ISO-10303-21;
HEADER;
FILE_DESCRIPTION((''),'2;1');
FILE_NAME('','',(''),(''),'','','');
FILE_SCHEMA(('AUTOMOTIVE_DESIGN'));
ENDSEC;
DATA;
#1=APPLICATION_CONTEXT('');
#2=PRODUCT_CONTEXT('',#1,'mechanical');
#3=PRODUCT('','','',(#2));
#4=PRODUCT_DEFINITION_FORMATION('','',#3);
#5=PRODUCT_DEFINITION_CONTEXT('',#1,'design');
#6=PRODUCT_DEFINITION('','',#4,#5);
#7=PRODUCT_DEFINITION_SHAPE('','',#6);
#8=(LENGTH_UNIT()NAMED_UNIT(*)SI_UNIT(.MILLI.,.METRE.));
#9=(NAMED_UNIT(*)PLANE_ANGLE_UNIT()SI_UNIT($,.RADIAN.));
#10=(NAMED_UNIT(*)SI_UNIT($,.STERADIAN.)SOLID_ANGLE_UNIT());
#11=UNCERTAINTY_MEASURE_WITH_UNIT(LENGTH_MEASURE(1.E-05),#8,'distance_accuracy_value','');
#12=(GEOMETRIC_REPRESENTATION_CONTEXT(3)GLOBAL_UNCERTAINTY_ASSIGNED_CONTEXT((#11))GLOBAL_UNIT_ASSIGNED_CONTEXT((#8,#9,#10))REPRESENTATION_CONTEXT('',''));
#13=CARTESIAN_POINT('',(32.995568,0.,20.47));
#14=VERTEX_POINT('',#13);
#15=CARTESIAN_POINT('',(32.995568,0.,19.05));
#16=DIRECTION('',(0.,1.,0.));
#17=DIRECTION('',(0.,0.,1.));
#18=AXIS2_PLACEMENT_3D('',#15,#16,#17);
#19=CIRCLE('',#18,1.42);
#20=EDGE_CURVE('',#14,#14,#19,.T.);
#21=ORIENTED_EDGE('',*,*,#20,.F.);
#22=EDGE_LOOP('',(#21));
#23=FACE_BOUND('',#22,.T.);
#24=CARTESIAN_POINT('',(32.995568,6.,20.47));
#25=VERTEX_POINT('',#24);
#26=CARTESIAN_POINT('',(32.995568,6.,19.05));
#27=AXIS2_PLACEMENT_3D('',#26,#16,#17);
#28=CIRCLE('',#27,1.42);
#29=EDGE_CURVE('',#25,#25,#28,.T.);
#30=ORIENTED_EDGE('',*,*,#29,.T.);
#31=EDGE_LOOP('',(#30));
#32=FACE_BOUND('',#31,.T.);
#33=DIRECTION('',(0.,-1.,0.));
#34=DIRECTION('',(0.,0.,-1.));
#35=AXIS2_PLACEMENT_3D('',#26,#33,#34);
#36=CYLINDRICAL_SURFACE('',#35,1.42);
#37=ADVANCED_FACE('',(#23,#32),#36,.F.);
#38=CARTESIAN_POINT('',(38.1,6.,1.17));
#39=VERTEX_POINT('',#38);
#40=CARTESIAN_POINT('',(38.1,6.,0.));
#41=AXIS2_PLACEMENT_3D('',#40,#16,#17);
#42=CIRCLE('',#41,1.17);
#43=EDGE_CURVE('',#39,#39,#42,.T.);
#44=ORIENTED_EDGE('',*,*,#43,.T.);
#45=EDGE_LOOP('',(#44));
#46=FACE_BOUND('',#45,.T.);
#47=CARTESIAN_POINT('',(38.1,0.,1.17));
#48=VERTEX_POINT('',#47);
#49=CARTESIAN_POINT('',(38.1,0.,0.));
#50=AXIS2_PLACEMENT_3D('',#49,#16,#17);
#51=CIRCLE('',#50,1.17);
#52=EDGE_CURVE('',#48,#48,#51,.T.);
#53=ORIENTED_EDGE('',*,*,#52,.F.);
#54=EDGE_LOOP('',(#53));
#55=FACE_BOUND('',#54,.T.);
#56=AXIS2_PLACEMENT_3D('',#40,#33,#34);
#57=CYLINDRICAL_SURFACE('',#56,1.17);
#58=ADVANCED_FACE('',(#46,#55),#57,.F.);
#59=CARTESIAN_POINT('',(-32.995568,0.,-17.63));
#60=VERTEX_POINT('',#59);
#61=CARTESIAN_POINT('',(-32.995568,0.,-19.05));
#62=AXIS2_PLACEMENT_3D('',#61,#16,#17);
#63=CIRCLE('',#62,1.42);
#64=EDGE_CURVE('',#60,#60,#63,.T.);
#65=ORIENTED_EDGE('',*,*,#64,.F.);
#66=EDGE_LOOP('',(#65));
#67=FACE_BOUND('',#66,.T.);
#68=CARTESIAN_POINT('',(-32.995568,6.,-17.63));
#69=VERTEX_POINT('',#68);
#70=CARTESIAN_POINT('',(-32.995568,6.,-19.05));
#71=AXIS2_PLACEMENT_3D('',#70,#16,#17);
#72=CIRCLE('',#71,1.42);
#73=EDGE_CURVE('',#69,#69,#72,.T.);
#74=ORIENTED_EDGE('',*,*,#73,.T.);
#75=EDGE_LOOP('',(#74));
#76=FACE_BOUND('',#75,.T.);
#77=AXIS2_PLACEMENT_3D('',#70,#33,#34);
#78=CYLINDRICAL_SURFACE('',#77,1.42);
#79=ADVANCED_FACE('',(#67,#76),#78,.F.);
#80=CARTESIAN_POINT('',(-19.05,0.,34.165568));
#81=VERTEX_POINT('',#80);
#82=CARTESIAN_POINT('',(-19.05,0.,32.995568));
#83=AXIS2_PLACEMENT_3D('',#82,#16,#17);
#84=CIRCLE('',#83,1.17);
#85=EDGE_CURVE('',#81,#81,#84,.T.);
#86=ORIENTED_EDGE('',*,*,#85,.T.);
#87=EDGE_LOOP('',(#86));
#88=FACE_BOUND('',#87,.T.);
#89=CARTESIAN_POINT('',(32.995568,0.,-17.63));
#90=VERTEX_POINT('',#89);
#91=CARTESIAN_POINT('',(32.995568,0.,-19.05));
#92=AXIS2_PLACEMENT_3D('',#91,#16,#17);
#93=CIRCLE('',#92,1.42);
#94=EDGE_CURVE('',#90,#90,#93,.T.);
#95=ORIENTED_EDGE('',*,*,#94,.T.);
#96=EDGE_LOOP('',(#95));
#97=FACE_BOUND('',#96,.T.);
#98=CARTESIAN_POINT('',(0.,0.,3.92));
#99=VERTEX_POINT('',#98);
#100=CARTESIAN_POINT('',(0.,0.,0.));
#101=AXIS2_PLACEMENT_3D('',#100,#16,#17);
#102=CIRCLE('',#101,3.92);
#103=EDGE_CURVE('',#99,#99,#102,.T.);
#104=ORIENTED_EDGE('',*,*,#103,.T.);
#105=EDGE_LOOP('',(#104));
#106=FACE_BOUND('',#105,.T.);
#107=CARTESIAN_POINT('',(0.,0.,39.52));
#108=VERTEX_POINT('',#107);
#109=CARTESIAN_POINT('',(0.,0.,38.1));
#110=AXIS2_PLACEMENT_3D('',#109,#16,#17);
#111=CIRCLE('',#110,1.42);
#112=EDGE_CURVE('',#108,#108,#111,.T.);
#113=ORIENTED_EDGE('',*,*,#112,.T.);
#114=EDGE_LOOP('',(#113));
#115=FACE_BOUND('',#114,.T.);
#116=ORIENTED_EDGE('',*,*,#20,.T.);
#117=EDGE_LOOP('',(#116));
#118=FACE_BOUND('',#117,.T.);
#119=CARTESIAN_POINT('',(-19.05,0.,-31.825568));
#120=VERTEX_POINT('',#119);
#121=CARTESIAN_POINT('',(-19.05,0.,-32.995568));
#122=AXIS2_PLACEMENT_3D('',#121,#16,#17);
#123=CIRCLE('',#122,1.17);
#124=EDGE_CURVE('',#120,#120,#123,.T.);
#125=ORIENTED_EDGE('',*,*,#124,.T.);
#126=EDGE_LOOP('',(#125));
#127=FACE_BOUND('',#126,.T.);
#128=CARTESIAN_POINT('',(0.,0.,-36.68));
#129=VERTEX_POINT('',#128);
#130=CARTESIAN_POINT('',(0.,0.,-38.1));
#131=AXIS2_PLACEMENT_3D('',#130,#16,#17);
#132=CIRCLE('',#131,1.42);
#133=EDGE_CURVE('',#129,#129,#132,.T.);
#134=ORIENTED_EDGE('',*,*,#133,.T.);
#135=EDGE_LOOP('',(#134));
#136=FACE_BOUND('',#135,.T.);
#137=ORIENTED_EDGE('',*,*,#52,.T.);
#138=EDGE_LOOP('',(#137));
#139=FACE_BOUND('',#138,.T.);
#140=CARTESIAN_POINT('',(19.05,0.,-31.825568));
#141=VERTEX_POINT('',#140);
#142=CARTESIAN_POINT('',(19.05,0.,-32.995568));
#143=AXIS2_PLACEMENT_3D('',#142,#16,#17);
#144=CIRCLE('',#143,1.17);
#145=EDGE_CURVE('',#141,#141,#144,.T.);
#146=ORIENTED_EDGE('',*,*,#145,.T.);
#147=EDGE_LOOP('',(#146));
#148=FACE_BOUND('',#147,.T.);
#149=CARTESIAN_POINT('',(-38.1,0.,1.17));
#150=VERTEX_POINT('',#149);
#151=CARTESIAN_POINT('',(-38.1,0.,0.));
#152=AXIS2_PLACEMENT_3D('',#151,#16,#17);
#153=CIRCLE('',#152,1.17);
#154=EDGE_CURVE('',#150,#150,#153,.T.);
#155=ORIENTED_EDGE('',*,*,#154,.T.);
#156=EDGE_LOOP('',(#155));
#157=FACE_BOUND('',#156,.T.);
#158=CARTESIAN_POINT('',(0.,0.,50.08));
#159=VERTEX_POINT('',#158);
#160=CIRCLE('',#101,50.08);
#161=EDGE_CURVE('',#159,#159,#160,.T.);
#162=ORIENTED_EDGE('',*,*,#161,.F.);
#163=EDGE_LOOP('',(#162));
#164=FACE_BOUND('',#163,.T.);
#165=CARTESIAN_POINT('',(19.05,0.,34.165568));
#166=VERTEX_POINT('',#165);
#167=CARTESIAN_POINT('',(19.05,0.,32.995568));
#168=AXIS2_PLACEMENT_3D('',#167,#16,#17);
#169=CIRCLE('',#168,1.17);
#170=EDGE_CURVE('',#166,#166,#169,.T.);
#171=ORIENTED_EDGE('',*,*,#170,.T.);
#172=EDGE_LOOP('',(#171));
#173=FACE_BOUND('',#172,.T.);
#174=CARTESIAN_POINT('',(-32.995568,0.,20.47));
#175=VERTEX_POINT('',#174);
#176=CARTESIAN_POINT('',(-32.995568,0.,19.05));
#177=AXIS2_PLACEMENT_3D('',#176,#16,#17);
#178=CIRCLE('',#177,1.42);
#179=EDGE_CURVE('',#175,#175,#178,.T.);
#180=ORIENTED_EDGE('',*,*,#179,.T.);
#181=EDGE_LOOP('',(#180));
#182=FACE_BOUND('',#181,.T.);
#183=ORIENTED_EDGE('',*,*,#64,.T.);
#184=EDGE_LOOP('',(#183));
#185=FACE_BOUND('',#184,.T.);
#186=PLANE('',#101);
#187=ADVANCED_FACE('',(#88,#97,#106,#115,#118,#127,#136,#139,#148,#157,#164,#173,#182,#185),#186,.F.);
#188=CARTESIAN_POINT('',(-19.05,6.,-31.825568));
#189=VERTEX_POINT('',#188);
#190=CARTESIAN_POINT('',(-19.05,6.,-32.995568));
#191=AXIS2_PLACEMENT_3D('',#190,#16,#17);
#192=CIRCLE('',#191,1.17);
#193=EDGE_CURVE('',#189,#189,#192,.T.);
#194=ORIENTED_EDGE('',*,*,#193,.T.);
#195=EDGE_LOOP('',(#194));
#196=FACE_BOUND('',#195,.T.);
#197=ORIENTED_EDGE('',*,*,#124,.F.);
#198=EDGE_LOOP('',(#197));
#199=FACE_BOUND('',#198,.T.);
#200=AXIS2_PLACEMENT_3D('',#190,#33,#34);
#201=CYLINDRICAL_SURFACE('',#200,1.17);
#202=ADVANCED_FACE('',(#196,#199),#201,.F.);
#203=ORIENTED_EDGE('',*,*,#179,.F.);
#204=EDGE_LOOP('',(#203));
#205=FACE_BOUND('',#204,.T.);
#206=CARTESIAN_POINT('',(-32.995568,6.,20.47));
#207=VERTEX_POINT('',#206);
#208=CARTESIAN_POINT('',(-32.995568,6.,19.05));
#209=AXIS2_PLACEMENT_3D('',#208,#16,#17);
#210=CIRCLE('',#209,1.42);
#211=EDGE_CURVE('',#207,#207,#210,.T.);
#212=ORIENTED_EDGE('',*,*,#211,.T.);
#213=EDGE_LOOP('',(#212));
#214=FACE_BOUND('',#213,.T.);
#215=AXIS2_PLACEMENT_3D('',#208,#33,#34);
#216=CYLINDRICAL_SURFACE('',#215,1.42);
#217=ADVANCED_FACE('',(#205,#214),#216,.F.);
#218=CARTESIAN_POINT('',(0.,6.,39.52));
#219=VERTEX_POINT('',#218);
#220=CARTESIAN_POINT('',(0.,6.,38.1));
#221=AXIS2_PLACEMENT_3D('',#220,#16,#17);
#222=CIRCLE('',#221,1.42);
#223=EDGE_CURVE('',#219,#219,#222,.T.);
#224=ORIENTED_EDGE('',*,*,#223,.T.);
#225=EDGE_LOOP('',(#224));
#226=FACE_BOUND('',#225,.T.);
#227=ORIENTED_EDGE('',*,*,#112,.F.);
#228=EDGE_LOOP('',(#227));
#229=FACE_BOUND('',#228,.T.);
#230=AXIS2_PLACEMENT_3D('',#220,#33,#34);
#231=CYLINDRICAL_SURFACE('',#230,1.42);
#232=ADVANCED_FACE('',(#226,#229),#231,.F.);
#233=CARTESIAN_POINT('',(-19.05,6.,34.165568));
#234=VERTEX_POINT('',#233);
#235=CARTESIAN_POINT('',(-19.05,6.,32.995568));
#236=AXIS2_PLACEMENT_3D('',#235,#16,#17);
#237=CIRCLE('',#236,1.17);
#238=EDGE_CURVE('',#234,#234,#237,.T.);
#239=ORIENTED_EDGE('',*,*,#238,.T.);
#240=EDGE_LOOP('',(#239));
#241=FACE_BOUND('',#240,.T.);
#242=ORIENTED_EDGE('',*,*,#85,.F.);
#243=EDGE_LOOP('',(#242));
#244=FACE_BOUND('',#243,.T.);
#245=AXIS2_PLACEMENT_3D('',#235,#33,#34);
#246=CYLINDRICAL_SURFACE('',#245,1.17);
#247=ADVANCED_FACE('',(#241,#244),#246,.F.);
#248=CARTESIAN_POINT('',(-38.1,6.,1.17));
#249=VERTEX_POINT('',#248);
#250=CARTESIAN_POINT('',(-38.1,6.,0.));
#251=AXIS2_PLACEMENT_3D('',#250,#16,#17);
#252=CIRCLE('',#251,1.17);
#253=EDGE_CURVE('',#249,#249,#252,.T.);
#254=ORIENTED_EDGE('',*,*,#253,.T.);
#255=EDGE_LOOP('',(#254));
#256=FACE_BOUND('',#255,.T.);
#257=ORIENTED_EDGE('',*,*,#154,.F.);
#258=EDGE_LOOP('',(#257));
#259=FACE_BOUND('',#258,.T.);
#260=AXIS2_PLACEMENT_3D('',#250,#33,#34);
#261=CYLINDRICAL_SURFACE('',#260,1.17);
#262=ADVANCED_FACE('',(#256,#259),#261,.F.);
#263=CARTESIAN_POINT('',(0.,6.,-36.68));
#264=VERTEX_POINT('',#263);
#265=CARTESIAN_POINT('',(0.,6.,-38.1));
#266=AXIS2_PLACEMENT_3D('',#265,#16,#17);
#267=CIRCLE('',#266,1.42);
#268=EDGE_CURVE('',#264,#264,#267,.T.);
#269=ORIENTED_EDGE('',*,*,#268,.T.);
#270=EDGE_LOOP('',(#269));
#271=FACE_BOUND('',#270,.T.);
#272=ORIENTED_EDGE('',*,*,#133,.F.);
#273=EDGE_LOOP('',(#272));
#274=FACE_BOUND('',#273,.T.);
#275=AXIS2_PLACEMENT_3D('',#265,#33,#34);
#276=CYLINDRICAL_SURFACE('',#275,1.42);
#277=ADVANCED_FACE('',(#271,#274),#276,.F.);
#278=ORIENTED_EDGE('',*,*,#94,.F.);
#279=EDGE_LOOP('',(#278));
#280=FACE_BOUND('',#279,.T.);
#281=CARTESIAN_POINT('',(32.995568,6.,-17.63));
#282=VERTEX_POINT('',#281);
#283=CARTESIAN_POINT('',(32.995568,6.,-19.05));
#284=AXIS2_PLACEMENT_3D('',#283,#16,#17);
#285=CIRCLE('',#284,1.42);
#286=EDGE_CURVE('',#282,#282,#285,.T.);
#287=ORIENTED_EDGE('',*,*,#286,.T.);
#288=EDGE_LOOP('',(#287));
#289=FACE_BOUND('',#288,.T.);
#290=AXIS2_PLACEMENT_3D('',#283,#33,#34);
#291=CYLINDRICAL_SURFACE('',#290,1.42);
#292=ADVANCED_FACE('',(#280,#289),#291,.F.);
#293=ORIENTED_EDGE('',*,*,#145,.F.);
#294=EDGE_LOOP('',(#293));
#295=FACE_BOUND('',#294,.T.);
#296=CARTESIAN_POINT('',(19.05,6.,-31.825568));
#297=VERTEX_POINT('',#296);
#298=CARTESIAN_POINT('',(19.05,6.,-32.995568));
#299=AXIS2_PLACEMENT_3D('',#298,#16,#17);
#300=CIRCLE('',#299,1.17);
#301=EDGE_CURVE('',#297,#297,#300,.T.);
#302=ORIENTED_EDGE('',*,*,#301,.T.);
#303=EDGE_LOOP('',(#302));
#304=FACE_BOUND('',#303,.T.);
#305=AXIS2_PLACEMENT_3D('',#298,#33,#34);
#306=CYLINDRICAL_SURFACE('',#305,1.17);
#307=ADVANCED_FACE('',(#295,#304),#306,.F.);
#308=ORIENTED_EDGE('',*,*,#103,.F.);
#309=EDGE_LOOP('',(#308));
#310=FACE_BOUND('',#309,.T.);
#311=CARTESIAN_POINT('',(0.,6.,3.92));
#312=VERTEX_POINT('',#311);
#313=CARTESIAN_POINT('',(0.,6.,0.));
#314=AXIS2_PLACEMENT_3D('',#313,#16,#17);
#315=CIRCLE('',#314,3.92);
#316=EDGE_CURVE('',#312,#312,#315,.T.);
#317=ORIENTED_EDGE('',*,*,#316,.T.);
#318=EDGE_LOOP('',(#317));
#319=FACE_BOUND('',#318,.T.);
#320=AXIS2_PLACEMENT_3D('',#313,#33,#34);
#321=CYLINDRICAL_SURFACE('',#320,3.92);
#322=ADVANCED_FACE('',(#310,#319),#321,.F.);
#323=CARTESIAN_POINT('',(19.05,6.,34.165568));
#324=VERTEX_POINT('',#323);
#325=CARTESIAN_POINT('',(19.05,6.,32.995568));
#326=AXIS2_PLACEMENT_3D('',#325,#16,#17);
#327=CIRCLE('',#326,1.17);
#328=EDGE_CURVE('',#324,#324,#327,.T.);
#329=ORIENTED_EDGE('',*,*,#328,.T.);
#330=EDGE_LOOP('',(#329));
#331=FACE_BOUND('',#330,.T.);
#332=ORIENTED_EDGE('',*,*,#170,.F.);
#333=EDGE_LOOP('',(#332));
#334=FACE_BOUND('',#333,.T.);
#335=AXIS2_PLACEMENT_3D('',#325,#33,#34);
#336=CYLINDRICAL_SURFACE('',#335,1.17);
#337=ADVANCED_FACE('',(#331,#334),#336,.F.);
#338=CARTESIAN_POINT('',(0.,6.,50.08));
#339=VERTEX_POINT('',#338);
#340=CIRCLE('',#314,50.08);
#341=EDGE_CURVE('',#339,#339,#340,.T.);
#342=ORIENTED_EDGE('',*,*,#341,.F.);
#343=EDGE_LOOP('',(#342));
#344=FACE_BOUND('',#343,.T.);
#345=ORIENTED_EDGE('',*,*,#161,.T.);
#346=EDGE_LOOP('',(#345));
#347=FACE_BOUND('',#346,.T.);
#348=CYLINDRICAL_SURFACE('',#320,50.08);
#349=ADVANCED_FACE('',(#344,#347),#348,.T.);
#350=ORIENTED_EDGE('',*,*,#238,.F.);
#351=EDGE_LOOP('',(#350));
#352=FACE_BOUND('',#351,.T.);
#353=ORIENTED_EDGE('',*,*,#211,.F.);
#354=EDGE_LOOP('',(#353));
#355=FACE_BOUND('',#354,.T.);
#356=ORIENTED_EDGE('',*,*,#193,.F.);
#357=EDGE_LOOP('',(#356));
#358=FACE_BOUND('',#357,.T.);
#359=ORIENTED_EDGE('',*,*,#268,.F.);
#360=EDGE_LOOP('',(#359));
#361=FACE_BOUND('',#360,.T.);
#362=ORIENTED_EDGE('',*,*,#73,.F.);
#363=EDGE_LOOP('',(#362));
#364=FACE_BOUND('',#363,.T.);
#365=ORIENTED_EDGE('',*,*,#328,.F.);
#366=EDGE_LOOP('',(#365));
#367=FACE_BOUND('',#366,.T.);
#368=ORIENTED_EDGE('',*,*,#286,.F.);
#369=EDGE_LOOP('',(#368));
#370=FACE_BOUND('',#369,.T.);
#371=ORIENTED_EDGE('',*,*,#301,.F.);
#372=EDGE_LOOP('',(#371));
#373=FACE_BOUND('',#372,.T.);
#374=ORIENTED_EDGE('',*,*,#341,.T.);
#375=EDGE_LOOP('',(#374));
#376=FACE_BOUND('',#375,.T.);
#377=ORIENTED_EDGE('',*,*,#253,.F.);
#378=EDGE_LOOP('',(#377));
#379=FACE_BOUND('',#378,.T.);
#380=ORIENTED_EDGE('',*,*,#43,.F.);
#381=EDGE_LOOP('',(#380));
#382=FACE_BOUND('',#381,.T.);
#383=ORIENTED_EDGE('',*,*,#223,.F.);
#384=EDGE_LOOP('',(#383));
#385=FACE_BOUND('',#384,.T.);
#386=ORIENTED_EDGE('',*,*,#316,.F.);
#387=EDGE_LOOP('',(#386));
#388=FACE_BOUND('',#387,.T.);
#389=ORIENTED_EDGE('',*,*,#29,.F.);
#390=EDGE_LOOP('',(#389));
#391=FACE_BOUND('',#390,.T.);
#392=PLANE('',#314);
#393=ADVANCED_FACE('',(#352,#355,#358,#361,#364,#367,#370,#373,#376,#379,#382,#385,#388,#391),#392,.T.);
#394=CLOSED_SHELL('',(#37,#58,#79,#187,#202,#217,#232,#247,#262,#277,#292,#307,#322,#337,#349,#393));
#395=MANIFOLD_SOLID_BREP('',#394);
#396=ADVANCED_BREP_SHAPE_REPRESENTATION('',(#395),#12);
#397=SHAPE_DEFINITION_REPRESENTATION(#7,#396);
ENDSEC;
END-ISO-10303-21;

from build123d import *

# Parameters (mm, degrees)
SKETCH1_R           = 50
SKETCH1_R_2         = 1.25
SKETCH1_R_3         = 1.5
SKETCH1_R_4         = 4
BOSS_EXTRUDE1_DEPTH = 6
MOVE_FACE1_BY       = 0.08
MOVE_FACE1_2_BY     = 0.08
MOVE_FACE1_3_BY     = 0.08
MOVE_FACE1_4_BY     = 0.08
MOVE_FACE1_5_BY     = 0.08
MOVE_FACE1_6_BY     = 0.08
MOVE_FACE1_7_BY     = 0.08
MOVE_FACE1_8_BY     = 0.08
MOVE_FACE1_9_BY     = 0.08
MOVE_FACE1_10_BY    = 0.08
MOVE_FACE1_11_BY    = 0.08
MOVE_FACE1_12_BY    = 0.08
MOVE_FACE1_13_BY    = 0.08
MOVE_FACE1_14_BY    = 0.08


with BuildPart() as part:
    # Sketch1 → Boss-Extrude1 (new body)
    with BuildSketch(Plane(origin=(0, 0, 0), x_dir=(1, 0, 0), z_dir=(0, 1, 0))):
        with Locations(Location((0, 0, 0), (0, 0, 270))):
            Circle(SKETCH1_R)
        with Locations(Location((38.1, 0, 0), (0, 0, 270))):
            Circle(SKETCH1_R_2, mode=Mode.SUBTRACT)
        with Locations(Location((19.05, -32.995567884, 0), (0, 0, 270))):
            Circle(SKETCH1_R_2, mode=Mode.SUBTRACT)
        with Locations(Location((-19.05, -32.995567884, 0), (0, 0, 270))):
            Circle(SKETCH1_R_2, mode=Mode.SUBTRACT)
        with Locations(Location((-38.1, 0, 0), (0, 0, 270))):
            Circle(SKETCH1_R_2, mode=Mode.SUBTRACT)
        with Locations(Location((-19.05, 32.995567884, 0), (0, 0, 270))):
            Circle(SKETCH1_R_2, mode=Mode.SUBTRACT)
        with Locations(Location((19.05, 32.995567884, 0), (0, 0, 270))):
            Circle(SKETCH1_R_2, mode=Mode.SUBTRACT)
        with Locations(Location((0, 38.1, 0), (0, 0, 270))):
            Circle(SKETCH1_R_3, mode=Mode.SUBTRACT)
        with Locations(Location((32.995567884, 19.05, 0), (0, 0, 270))):
            Circle(SKETCH1_R_3, mode=Mode.SUBTRACT)
        with Locations(Location((32.995567884, -19.05, 0), (0, 0, 270))):
            Circle(SKETCH1_R_3, mode=Mode.SUBTRACT)
        with Locations(Location((0, -38.1, 0), (0, 0, 270))):
            Circle(SKETCH1_R_3, mode=Mode.SUBTRACT)
        with Locations(Location((-32.995567884, -19.05, 0), (0, 0, 270))):
            Circle(SKETCH1_R_3, mode=Mode.SUBTRACT)
        with Locations(Location((-32.995567884, 19.05, 0), (0, 0, 270))):
            Circle(SKETCH1_R_3, mode=Mode.SUBTRACT)
        with Locations(Location((0, 0, 0), (0, 0, 270))):
            Circle(SKETCH1_R_4, mode=Mode.SUBTRACT)
    extrude(amount=BOSS_EXTRUDE1_DEPTH)

    # Move Face1: a curved face moved outward by 0.08
    add(Solid.thicken(part.faces().sort_by_distance((0, 3, -4))[0], MOVE_FACE1_BY))

    # Move Face1 2: a curved face moved outward by 0.08
    add(Solid.thicken(part.faces().sort_by_distance((0, 3, -50))[0], MOVE_FACE1_2_BY))

    # Move Face1 3: a curved face moved outward by 0.08
    add(Solid.thicken(part.faces().sort_by_distance((38.1, 3, -1.25))[0], MOVE_FACE1_3_BY))

    # Move Face1 4: a curved face moved outward by 0.08
    add(Solid.thicken(part.faces().sort_by_distance((0, 3, -39.6))[0], MOVE_FACE1_4_BY))

    # Move Face1 5: a curved face moved outward by 0.08
    add(Solid.thicken(part.faces().sort_by_distance((19.05, 3, 31.745567884))[0], MOVE_FACE1_5_BY))

    # Move Face1 6: a curved face moved outward by 0.08
    add(Solid.thicken(part.faces().sort_by_distance((-19.05, 3, 31.745567884))[0], MOVE_FACE1_6_BY))

    # Move Face1 7: a curved face moved outward by 0.08
    add(Solid.thicken(part.faces().sort_by_distance((-38.1, 3, -1.25))[0], MOVE_FACE1_7_BY))

    # Move Face1 8: a curved face moved outward by 0.08
    add(Solid.thicken(part.faces().sort_by_distance((-19.05, 3, -34.245567884))[0], MOVE_FACE1_8_BY))

    # Move Face1 9: a curved face moved outward by 0.08
    add(Solid.thicken(part.faces().sort_by_distance((19.05, 3, -34.245567884))[0], MOVE_FACE1_9_BY))

    # Move Face1 10: a curved face moved outward by 0.08
    add(Solid.thicken(part.faces().sort_by_distance((32.995567884, 3, -20.55))[0], MOVE_FACE1_10_BY))

    # Move Face1 11: a curved face moved outward by 0.08
    add(Solid.thicken(part.faces().sort_by_distance((32.995567884, 3, 17.55))[0], MOVE_FACE1_11_BY))

    # Move Face1 12: a curved face moved outward by 0.08
    add(Solid.thicken(part.faces().sort_by_distance((0, 3, 36.6))[0], MOVE_FACE1_12_BY))

    # Move Face1 13: a curved face moved outward by 0.08
    add(Solid.thicken(part.faces().sort_by_distance((-32.995567884, 3, 17.55))[0], MOVE_FACE1_13_BY))

    # Move Face1 14: a curved face moved outward by 0.08
    add(Solid.thicken(part.faces().sort_by_distance((-32.995567884, 3, -20.55))[0], MOVE_FACE1_14_BY))


solid = part.part
